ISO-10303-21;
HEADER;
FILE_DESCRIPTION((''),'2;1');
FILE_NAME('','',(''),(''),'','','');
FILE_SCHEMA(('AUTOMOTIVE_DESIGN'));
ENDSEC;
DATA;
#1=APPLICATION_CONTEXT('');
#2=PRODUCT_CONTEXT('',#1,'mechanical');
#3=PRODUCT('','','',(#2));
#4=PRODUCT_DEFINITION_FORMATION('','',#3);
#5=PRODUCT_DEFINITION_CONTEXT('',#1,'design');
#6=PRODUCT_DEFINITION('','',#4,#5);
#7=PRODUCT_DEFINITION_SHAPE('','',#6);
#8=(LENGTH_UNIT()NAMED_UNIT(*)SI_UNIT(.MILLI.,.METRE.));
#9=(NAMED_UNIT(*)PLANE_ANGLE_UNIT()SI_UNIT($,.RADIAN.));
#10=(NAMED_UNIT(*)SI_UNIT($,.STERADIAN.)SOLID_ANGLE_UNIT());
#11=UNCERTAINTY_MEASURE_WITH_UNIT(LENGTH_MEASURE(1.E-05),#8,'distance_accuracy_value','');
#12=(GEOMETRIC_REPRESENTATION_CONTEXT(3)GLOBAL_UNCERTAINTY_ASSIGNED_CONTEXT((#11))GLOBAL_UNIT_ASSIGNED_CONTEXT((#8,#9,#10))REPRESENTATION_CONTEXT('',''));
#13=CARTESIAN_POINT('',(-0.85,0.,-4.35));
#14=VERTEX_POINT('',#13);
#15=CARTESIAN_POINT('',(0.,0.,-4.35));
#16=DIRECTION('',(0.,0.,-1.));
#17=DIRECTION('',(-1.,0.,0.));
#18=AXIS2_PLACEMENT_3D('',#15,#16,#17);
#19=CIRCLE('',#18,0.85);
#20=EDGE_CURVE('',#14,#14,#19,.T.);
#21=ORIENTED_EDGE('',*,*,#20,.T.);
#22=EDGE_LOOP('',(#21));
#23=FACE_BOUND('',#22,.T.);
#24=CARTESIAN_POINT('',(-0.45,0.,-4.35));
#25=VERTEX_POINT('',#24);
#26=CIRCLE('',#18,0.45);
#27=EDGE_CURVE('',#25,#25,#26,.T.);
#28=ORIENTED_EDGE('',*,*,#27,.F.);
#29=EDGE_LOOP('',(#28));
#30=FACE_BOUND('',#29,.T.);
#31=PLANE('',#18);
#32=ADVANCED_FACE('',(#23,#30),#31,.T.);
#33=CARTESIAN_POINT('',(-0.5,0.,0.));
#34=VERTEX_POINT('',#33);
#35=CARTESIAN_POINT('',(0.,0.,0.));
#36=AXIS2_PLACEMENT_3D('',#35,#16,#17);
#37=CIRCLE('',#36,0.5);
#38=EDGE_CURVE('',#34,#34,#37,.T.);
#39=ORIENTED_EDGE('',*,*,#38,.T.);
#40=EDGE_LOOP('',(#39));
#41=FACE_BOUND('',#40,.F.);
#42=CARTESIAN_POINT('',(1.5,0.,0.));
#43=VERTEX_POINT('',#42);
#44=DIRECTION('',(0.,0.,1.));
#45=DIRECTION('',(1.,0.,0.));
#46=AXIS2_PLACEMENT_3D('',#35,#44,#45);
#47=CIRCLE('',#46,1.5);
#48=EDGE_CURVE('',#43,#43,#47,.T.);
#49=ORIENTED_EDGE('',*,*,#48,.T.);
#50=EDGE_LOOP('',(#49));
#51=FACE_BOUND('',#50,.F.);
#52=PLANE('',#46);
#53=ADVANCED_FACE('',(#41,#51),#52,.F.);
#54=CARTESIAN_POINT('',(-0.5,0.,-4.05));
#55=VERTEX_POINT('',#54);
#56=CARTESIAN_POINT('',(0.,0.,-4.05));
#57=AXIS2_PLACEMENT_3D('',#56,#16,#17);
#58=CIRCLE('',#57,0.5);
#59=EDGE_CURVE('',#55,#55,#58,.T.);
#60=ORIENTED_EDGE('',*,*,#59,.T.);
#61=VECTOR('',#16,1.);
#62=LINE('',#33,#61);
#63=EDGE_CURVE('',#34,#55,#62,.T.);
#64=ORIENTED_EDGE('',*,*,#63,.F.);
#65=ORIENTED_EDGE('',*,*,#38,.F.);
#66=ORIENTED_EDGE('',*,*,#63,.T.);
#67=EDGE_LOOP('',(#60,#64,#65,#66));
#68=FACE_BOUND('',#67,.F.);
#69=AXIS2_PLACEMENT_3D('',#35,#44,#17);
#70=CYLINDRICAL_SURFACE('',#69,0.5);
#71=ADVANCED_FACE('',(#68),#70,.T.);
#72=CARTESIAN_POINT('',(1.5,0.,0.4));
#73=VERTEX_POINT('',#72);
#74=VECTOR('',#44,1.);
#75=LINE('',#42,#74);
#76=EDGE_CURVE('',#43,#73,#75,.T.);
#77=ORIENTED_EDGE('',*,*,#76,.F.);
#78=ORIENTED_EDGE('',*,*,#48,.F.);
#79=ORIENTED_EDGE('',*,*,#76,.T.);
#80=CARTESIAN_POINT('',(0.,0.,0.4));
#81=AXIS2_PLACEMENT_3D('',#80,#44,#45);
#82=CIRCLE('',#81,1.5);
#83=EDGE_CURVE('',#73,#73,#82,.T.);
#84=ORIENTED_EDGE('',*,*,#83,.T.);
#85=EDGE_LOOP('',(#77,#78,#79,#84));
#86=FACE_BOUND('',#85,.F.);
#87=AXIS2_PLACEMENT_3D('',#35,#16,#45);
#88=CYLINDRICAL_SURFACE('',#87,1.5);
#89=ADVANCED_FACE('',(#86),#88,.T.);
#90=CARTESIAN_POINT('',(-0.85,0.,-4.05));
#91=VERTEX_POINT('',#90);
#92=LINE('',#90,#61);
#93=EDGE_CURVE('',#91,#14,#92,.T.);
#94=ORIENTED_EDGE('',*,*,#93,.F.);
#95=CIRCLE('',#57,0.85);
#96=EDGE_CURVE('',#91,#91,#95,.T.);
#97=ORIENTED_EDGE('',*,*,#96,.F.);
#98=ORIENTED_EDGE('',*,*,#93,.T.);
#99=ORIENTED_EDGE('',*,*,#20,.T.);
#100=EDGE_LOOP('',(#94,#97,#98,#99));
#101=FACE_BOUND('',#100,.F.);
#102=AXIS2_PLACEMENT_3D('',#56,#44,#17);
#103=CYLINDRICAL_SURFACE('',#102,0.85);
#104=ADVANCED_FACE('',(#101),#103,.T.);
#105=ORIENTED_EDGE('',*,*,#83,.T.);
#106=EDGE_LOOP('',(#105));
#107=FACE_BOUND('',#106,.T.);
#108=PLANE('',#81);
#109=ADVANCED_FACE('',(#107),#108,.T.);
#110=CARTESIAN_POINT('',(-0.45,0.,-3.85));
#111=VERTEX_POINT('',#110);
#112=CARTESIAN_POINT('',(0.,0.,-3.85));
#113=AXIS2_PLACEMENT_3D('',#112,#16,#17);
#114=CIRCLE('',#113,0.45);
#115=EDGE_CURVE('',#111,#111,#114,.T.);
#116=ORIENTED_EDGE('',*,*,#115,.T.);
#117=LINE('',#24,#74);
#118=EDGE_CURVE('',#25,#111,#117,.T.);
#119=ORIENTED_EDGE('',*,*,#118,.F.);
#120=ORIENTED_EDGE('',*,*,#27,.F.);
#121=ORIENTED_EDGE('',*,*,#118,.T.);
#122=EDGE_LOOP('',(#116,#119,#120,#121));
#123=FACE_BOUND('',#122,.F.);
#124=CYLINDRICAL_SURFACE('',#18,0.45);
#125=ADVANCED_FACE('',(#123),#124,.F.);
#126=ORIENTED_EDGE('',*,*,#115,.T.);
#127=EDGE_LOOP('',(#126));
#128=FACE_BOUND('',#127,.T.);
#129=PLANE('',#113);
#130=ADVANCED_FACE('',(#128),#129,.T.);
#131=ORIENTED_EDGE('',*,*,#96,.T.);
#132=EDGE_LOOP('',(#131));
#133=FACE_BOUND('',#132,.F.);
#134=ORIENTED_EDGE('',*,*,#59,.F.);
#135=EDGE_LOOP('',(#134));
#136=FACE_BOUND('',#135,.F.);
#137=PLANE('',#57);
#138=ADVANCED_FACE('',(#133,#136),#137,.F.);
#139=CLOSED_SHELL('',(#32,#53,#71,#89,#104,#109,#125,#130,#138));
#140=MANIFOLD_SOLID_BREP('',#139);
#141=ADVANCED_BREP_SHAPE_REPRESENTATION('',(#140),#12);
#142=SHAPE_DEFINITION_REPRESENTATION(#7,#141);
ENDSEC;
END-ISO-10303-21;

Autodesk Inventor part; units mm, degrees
ref_plane "YZ Plane" through (0, 0, 0) normal (1, 0, 0) x (0, 1, 0)
ref_plane "XZ Plane" through (0, 0, 0) normal (0, 1, 0) x (-1, 0, 0)
ref_plane "XY Plane" through (0, 0, 0) normal (0, 0, 1) x (1, 0, 0)
sketch "Sketch1" plane through (0, 0, 0) normal (0, 0, 1) x (1, 0, 0)
  circle A0 centre (0, 0) radius 1.5
  dimension "d0" = 3
extrude "Extrusion1" add sketch "Sketch1" along normal blind 0.4
sketch "Sketch2" plane through (0, 0, 0) normal (0, 0, -1) x (-1, 0, 0)
  circle A0 centre (0, 0) radius 1.5 projected
  circle A1 centre (0, 0) radius 0.5
  dimension "d3" = 1
extrude "Extrusion2" add sketch "Sketch2" along normal blind 4.05 contours A1
sketch "Sketch3" plane through (0, 0, -4.05) normal (0, 0, -1) x (-1, 0, 0)
  circle A0 centre (0, 0) radius 0.5 projected
  circle A1 centre (0, 0) radius 0.85
  dimension "d7" = 1.7
extrude "Extrusion3" add sketch "Sketch3" along normal blind 0.3 contours A0 | A1
sketch "Sketch4" plane through (0, 0, -4.35) normal (0, 0, -1) x (-1, 0, 0)
  circle A0 centre (0, 0) radius 0.85 projected
  circle A1 centre (0, 0) radius 0.45
  dimension "d10" = 0.9
extrude "Extrusion4" cut sketch "Sketch4" against normal blind 0.5 contours A1
properties material "Brass"
